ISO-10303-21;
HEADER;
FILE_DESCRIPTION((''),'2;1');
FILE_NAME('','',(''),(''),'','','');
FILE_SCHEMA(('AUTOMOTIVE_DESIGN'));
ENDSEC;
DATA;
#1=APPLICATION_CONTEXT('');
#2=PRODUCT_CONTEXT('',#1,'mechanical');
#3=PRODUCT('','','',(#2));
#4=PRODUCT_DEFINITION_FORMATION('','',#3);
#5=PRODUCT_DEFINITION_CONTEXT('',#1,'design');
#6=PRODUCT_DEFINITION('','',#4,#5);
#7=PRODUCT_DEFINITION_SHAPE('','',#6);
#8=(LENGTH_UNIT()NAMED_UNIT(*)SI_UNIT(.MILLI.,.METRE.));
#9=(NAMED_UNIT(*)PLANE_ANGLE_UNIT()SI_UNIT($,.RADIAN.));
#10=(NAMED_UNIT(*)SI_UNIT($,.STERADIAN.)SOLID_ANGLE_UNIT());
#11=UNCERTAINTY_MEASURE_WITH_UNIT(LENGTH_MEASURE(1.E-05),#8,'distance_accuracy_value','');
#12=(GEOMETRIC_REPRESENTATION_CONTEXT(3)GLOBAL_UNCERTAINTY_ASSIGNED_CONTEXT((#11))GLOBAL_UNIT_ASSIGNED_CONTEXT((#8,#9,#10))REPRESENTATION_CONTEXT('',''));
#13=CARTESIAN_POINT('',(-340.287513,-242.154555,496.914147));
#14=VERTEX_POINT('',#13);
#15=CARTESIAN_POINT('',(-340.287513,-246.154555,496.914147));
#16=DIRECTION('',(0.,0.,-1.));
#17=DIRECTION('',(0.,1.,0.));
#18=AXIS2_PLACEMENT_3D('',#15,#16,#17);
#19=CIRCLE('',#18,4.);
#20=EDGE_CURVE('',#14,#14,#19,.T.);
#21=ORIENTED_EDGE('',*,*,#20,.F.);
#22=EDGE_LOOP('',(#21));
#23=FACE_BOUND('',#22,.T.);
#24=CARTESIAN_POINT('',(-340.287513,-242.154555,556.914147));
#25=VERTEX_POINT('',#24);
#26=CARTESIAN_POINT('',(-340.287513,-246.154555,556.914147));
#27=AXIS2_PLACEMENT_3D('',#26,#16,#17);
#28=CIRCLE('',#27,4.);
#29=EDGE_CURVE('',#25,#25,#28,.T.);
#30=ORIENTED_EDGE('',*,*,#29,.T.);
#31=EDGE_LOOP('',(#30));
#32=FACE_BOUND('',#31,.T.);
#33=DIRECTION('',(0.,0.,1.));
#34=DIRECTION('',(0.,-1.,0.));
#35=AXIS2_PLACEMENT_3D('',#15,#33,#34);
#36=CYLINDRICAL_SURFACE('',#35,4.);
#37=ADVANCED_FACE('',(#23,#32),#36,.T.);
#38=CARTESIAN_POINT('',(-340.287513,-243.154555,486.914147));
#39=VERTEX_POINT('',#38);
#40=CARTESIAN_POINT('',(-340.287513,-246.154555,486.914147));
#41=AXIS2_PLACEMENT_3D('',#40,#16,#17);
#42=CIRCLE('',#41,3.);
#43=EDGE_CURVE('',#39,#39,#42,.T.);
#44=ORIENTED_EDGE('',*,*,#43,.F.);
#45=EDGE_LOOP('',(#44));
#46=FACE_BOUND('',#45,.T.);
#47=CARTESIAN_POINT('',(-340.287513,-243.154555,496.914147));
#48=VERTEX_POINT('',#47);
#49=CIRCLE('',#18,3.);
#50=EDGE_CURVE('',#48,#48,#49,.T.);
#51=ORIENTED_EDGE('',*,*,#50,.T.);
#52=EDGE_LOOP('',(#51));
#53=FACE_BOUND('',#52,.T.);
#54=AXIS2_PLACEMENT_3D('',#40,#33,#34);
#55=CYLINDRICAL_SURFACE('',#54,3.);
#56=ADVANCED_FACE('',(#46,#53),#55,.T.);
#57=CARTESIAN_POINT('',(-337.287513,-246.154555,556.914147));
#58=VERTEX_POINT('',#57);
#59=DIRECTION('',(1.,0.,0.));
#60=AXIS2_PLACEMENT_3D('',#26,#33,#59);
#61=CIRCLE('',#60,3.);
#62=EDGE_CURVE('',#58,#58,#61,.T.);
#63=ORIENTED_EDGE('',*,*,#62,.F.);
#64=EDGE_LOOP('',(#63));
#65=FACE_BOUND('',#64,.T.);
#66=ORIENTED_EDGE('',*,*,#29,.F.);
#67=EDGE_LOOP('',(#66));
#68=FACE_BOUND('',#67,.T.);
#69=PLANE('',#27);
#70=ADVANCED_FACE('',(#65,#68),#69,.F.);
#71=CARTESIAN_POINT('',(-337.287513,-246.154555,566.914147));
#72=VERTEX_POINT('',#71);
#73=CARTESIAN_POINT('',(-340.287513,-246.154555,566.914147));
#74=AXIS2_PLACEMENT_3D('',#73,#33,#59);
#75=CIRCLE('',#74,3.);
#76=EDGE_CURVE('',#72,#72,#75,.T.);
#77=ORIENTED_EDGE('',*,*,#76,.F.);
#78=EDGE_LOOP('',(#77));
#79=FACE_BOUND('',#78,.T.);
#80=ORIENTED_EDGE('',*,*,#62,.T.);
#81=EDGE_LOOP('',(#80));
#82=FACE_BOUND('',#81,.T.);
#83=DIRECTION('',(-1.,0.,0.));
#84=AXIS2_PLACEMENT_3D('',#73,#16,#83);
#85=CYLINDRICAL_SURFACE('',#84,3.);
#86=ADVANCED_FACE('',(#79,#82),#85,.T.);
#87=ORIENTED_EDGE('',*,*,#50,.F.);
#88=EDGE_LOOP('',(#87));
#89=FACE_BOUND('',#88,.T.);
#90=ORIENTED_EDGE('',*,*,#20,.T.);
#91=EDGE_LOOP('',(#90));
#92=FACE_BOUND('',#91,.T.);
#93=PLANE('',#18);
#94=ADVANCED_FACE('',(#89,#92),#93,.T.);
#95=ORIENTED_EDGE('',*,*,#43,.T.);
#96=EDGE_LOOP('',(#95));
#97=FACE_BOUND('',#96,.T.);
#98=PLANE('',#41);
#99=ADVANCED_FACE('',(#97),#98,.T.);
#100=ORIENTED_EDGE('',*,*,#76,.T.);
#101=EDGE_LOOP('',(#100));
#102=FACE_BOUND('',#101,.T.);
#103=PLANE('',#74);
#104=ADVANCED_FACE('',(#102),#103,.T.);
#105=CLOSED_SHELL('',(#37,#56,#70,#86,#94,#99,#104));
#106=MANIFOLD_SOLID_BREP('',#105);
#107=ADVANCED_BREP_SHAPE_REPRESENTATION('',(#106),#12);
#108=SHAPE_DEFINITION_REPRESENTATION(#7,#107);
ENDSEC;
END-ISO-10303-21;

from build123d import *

# Parameters (mm, degrees)
SKETCH_1_R      = 4
EXTRUDE_1_DEPTH = 30
SKETCH_2_R      = 3
EXTRUDE_2_DEPTH = 10
EXTRUDE_START   = 10
SKETCH_3_R      = 3
EXTRUDE_3_DEPTH = 10


with BuildPart() as part:
    # 草图1 → 凸台-拉伸1 (new, symmetric)
    with BuildSketch(Plane(origin=(0, 0, 526.914147293), x_dir=(-1, 0, 0), z_dir=(0, 0, -1))):
        with Locations(Location((340.287512766, -246.15455511, 0), (0, 0, 90))):
            Circle(SKETCH_1_R)
    extrude(amount=EXTRUDE_1_DEPTH, both=True)

    # 草图2 → 凸台-拉伸2 (add)
    with BuildSketch(Plane(origin=(0, 0, 496.914147293), x_dir=(-1, 0, 0), z_dir=(0, 0, -1))):
        with Locations(Location((340.287512766, -246.15455511, 0), (0, 0, 90))):
            Circle(SKETCH_2_R)
    extrude(amount=EXTRUDE_2_DEPTH)

    # 草图3 → 凸台-拉伸3 (add)
    with BuildSketch(Plane.XY.offset(556.914147293).offset(EXTRUDE_START)):
        with Locations(Location((-340.287512766, -246.15455511, 0), (0, 0, 90))):
            Circle(SKETCH_3_R)
    extrude(amount=-EXTRUDE_3_DEPTH)


solid = part.part
